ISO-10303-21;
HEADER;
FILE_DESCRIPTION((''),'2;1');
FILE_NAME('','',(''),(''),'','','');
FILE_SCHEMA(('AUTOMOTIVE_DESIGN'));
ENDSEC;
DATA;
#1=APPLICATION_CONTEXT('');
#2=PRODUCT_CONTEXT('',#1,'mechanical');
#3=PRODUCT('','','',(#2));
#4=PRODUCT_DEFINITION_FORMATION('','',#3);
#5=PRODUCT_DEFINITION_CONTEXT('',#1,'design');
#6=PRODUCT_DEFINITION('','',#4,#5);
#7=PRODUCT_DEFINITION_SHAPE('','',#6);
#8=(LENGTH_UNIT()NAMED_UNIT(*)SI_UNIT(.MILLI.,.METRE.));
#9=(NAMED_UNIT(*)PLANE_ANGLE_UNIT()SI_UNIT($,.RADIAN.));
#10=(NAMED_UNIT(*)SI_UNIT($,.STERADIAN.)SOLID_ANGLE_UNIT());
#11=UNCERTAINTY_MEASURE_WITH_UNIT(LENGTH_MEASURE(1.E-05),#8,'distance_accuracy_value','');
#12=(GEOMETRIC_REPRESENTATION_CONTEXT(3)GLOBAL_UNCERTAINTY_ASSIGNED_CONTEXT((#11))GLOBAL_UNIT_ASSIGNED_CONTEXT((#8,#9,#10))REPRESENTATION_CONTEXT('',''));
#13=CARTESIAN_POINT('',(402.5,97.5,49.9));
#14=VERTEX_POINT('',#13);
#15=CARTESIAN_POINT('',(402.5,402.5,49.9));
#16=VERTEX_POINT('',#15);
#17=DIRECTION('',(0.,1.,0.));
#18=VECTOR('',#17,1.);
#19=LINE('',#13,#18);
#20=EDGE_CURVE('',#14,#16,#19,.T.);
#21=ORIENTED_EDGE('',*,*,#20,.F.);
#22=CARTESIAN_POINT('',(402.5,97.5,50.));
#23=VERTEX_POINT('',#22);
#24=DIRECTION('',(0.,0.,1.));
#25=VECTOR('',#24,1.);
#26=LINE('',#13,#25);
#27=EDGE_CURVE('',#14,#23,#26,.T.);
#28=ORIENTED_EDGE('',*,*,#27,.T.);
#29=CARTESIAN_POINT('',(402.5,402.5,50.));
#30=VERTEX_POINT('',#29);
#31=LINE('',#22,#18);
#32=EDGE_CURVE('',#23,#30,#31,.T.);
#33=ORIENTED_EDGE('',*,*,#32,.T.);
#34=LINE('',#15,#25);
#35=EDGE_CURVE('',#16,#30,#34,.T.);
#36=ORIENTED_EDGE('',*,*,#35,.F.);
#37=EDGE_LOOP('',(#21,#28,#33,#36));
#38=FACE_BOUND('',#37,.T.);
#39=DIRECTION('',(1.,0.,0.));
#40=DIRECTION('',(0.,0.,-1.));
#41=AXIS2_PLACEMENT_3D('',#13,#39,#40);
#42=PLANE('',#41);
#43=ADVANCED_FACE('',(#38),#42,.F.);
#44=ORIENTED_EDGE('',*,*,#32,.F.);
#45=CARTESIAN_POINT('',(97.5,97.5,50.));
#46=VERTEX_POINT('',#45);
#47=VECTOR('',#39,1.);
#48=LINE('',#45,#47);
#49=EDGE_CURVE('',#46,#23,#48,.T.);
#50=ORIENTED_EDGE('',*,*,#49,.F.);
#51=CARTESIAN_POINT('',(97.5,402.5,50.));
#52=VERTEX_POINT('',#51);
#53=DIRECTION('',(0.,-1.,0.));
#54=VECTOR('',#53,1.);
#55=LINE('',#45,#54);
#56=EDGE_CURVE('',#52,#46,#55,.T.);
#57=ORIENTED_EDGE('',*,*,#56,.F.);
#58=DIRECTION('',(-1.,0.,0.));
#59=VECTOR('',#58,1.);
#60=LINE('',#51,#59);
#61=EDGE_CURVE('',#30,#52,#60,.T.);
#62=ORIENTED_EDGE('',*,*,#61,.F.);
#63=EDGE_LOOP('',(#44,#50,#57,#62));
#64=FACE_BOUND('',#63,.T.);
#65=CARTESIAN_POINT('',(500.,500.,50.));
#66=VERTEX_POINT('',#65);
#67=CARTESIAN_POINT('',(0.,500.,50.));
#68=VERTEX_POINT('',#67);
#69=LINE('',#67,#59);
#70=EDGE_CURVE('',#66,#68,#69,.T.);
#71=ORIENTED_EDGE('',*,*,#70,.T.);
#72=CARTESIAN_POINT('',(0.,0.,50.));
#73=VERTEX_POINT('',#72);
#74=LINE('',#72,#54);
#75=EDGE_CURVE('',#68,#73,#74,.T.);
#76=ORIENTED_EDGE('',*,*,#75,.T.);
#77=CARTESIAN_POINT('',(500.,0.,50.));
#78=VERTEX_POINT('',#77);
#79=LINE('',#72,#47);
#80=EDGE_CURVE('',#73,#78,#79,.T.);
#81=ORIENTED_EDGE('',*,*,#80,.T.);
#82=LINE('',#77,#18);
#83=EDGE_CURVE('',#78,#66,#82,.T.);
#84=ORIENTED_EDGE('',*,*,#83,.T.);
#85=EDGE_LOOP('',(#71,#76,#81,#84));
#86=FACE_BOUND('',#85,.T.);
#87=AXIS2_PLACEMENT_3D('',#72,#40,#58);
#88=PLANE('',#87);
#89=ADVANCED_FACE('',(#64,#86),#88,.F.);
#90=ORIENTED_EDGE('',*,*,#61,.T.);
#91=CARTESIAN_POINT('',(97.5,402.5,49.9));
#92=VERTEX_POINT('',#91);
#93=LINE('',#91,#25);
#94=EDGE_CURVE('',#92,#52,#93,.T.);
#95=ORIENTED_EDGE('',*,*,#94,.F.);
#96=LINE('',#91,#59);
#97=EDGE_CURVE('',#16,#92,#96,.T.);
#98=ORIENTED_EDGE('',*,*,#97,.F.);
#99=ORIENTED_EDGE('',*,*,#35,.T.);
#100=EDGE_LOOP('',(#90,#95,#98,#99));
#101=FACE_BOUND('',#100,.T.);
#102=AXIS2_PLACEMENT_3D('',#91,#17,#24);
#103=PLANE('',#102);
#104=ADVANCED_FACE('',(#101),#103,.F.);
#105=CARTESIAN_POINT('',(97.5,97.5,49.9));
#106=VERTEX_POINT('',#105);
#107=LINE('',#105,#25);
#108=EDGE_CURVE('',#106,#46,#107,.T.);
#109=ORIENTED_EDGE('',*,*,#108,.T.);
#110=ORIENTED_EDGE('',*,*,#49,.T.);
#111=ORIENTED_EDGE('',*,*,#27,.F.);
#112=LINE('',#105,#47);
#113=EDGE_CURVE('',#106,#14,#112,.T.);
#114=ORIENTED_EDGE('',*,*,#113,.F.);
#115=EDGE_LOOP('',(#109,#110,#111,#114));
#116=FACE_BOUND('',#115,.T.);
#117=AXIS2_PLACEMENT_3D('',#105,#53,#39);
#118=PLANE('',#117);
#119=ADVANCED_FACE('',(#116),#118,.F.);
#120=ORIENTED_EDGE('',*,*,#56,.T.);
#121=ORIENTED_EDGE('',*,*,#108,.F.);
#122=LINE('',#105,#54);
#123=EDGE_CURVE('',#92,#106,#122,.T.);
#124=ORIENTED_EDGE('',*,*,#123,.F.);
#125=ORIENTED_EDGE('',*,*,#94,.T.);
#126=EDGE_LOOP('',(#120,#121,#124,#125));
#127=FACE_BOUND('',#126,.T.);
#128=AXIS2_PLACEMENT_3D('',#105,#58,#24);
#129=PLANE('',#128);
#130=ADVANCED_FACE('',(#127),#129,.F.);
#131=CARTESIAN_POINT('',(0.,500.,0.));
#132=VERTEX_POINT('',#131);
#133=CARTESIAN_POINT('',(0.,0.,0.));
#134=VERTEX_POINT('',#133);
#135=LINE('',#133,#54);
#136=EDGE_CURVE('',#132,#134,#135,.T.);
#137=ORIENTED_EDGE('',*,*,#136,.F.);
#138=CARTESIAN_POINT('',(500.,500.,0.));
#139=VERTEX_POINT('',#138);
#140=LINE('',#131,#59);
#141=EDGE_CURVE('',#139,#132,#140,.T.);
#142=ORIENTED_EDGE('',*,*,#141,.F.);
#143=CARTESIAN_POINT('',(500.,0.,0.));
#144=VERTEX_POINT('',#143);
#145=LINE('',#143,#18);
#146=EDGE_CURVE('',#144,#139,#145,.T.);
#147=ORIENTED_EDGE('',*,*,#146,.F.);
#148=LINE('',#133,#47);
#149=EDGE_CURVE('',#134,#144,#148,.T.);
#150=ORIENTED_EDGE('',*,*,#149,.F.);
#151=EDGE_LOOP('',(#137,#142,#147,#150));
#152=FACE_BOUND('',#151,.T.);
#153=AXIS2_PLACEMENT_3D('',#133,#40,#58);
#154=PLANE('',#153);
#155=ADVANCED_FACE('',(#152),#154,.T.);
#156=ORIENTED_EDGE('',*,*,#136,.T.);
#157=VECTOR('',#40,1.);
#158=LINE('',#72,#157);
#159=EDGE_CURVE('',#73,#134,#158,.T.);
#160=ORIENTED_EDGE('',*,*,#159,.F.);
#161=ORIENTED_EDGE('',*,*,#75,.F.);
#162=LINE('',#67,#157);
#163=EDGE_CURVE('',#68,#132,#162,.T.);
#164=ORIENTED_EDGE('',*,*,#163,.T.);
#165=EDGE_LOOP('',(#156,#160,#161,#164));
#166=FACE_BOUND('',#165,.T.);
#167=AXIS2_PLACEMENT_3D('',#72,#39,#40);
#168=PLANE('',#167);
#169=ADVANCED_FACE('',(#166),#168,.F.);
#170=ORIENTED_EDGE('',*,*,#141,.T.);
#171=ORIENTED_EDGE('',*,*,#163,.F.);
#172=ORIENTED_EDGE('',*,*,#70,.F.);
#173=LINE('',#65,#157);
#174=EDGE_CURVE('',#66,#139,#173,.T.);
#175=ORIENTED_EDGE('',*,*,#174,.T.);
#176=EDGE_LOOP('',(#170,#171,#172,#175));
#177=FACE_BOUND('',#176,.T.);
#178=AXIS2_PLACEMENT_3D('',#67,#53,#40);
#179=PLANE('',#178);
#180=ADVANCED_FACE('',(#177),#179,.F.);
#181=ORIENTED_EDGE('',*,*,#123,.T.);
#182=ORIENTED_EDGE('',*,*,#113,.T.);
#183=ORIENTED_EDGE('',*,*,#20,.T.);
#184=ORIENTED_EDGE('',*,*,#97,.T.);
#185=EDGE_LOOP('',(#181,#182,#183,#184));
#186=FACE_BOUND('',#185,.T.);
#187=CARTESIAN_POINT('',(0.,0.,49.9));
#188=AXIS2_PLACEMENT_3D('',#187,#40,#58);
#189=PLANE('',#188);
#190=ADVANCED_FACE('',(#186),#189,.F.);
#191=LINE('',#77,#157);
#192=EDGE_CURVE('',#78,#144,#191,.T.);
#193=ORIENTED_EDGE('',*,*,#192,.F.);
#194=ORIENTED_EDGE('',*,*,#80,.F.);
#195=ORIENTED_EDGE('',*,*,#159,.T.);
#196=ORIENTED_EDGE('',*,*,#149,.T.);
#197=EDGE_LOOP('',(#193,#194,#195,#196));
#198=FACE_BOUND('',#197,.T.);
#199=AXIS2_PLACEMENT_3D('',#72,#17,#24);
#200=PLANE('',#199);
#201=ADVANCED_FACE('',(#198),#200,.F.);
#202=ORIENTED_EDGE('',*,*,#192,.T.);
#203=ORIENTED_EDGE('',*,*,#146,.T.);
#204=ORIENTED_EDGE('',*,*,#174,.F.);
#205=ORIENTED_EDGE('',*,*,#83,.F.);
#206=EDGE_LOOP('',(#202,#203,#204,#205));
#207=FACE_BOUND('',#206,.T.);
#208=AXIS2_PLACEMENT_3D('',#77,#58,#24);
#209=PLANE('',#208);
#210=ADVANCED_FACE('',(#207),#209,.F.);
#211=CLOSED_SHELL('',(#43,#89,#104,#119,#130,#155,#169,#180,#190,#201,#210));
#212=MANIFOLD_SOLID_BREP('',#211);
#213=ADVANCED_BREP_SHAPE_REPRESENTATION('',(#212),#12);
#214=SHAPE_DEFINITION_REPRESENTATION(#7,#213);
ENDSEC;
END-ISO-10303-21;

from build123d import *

# Parameters (mm, degrees)
SKETCH1_W           = 500
SKETCH1_H           = 500
BOSS_EXTRUDE1_DEPTH = 50
SKETCH2_W           = 305
SKETCH2_H           = 305
CUT_EXTRUDE1_DEPTH  = 0.1


with BuildPart() as part:
    # Sketch1 → Boss-Extrude1 (new body)
    with BuildSketch(Plane.XY):
        with Locations((250, 250)):
            Rectangle(SKETCH1_W, SKETCH1_H)
    extrude(amount=BOSS_EXTRUDE1_DEPTH)

    # Sketch2 → Cut-Extrude1 (cut)
    with BuildSketch(Plane.XY.offset(50)):
        with Locations((250, 250)):
            Rectangle(SKETCH2_W, SKETCH2_H)
    extrude(amount=-CUT_EXTRUDE1_DEPTH, mode=Mode.SUBTRACT)


solid = part.part
